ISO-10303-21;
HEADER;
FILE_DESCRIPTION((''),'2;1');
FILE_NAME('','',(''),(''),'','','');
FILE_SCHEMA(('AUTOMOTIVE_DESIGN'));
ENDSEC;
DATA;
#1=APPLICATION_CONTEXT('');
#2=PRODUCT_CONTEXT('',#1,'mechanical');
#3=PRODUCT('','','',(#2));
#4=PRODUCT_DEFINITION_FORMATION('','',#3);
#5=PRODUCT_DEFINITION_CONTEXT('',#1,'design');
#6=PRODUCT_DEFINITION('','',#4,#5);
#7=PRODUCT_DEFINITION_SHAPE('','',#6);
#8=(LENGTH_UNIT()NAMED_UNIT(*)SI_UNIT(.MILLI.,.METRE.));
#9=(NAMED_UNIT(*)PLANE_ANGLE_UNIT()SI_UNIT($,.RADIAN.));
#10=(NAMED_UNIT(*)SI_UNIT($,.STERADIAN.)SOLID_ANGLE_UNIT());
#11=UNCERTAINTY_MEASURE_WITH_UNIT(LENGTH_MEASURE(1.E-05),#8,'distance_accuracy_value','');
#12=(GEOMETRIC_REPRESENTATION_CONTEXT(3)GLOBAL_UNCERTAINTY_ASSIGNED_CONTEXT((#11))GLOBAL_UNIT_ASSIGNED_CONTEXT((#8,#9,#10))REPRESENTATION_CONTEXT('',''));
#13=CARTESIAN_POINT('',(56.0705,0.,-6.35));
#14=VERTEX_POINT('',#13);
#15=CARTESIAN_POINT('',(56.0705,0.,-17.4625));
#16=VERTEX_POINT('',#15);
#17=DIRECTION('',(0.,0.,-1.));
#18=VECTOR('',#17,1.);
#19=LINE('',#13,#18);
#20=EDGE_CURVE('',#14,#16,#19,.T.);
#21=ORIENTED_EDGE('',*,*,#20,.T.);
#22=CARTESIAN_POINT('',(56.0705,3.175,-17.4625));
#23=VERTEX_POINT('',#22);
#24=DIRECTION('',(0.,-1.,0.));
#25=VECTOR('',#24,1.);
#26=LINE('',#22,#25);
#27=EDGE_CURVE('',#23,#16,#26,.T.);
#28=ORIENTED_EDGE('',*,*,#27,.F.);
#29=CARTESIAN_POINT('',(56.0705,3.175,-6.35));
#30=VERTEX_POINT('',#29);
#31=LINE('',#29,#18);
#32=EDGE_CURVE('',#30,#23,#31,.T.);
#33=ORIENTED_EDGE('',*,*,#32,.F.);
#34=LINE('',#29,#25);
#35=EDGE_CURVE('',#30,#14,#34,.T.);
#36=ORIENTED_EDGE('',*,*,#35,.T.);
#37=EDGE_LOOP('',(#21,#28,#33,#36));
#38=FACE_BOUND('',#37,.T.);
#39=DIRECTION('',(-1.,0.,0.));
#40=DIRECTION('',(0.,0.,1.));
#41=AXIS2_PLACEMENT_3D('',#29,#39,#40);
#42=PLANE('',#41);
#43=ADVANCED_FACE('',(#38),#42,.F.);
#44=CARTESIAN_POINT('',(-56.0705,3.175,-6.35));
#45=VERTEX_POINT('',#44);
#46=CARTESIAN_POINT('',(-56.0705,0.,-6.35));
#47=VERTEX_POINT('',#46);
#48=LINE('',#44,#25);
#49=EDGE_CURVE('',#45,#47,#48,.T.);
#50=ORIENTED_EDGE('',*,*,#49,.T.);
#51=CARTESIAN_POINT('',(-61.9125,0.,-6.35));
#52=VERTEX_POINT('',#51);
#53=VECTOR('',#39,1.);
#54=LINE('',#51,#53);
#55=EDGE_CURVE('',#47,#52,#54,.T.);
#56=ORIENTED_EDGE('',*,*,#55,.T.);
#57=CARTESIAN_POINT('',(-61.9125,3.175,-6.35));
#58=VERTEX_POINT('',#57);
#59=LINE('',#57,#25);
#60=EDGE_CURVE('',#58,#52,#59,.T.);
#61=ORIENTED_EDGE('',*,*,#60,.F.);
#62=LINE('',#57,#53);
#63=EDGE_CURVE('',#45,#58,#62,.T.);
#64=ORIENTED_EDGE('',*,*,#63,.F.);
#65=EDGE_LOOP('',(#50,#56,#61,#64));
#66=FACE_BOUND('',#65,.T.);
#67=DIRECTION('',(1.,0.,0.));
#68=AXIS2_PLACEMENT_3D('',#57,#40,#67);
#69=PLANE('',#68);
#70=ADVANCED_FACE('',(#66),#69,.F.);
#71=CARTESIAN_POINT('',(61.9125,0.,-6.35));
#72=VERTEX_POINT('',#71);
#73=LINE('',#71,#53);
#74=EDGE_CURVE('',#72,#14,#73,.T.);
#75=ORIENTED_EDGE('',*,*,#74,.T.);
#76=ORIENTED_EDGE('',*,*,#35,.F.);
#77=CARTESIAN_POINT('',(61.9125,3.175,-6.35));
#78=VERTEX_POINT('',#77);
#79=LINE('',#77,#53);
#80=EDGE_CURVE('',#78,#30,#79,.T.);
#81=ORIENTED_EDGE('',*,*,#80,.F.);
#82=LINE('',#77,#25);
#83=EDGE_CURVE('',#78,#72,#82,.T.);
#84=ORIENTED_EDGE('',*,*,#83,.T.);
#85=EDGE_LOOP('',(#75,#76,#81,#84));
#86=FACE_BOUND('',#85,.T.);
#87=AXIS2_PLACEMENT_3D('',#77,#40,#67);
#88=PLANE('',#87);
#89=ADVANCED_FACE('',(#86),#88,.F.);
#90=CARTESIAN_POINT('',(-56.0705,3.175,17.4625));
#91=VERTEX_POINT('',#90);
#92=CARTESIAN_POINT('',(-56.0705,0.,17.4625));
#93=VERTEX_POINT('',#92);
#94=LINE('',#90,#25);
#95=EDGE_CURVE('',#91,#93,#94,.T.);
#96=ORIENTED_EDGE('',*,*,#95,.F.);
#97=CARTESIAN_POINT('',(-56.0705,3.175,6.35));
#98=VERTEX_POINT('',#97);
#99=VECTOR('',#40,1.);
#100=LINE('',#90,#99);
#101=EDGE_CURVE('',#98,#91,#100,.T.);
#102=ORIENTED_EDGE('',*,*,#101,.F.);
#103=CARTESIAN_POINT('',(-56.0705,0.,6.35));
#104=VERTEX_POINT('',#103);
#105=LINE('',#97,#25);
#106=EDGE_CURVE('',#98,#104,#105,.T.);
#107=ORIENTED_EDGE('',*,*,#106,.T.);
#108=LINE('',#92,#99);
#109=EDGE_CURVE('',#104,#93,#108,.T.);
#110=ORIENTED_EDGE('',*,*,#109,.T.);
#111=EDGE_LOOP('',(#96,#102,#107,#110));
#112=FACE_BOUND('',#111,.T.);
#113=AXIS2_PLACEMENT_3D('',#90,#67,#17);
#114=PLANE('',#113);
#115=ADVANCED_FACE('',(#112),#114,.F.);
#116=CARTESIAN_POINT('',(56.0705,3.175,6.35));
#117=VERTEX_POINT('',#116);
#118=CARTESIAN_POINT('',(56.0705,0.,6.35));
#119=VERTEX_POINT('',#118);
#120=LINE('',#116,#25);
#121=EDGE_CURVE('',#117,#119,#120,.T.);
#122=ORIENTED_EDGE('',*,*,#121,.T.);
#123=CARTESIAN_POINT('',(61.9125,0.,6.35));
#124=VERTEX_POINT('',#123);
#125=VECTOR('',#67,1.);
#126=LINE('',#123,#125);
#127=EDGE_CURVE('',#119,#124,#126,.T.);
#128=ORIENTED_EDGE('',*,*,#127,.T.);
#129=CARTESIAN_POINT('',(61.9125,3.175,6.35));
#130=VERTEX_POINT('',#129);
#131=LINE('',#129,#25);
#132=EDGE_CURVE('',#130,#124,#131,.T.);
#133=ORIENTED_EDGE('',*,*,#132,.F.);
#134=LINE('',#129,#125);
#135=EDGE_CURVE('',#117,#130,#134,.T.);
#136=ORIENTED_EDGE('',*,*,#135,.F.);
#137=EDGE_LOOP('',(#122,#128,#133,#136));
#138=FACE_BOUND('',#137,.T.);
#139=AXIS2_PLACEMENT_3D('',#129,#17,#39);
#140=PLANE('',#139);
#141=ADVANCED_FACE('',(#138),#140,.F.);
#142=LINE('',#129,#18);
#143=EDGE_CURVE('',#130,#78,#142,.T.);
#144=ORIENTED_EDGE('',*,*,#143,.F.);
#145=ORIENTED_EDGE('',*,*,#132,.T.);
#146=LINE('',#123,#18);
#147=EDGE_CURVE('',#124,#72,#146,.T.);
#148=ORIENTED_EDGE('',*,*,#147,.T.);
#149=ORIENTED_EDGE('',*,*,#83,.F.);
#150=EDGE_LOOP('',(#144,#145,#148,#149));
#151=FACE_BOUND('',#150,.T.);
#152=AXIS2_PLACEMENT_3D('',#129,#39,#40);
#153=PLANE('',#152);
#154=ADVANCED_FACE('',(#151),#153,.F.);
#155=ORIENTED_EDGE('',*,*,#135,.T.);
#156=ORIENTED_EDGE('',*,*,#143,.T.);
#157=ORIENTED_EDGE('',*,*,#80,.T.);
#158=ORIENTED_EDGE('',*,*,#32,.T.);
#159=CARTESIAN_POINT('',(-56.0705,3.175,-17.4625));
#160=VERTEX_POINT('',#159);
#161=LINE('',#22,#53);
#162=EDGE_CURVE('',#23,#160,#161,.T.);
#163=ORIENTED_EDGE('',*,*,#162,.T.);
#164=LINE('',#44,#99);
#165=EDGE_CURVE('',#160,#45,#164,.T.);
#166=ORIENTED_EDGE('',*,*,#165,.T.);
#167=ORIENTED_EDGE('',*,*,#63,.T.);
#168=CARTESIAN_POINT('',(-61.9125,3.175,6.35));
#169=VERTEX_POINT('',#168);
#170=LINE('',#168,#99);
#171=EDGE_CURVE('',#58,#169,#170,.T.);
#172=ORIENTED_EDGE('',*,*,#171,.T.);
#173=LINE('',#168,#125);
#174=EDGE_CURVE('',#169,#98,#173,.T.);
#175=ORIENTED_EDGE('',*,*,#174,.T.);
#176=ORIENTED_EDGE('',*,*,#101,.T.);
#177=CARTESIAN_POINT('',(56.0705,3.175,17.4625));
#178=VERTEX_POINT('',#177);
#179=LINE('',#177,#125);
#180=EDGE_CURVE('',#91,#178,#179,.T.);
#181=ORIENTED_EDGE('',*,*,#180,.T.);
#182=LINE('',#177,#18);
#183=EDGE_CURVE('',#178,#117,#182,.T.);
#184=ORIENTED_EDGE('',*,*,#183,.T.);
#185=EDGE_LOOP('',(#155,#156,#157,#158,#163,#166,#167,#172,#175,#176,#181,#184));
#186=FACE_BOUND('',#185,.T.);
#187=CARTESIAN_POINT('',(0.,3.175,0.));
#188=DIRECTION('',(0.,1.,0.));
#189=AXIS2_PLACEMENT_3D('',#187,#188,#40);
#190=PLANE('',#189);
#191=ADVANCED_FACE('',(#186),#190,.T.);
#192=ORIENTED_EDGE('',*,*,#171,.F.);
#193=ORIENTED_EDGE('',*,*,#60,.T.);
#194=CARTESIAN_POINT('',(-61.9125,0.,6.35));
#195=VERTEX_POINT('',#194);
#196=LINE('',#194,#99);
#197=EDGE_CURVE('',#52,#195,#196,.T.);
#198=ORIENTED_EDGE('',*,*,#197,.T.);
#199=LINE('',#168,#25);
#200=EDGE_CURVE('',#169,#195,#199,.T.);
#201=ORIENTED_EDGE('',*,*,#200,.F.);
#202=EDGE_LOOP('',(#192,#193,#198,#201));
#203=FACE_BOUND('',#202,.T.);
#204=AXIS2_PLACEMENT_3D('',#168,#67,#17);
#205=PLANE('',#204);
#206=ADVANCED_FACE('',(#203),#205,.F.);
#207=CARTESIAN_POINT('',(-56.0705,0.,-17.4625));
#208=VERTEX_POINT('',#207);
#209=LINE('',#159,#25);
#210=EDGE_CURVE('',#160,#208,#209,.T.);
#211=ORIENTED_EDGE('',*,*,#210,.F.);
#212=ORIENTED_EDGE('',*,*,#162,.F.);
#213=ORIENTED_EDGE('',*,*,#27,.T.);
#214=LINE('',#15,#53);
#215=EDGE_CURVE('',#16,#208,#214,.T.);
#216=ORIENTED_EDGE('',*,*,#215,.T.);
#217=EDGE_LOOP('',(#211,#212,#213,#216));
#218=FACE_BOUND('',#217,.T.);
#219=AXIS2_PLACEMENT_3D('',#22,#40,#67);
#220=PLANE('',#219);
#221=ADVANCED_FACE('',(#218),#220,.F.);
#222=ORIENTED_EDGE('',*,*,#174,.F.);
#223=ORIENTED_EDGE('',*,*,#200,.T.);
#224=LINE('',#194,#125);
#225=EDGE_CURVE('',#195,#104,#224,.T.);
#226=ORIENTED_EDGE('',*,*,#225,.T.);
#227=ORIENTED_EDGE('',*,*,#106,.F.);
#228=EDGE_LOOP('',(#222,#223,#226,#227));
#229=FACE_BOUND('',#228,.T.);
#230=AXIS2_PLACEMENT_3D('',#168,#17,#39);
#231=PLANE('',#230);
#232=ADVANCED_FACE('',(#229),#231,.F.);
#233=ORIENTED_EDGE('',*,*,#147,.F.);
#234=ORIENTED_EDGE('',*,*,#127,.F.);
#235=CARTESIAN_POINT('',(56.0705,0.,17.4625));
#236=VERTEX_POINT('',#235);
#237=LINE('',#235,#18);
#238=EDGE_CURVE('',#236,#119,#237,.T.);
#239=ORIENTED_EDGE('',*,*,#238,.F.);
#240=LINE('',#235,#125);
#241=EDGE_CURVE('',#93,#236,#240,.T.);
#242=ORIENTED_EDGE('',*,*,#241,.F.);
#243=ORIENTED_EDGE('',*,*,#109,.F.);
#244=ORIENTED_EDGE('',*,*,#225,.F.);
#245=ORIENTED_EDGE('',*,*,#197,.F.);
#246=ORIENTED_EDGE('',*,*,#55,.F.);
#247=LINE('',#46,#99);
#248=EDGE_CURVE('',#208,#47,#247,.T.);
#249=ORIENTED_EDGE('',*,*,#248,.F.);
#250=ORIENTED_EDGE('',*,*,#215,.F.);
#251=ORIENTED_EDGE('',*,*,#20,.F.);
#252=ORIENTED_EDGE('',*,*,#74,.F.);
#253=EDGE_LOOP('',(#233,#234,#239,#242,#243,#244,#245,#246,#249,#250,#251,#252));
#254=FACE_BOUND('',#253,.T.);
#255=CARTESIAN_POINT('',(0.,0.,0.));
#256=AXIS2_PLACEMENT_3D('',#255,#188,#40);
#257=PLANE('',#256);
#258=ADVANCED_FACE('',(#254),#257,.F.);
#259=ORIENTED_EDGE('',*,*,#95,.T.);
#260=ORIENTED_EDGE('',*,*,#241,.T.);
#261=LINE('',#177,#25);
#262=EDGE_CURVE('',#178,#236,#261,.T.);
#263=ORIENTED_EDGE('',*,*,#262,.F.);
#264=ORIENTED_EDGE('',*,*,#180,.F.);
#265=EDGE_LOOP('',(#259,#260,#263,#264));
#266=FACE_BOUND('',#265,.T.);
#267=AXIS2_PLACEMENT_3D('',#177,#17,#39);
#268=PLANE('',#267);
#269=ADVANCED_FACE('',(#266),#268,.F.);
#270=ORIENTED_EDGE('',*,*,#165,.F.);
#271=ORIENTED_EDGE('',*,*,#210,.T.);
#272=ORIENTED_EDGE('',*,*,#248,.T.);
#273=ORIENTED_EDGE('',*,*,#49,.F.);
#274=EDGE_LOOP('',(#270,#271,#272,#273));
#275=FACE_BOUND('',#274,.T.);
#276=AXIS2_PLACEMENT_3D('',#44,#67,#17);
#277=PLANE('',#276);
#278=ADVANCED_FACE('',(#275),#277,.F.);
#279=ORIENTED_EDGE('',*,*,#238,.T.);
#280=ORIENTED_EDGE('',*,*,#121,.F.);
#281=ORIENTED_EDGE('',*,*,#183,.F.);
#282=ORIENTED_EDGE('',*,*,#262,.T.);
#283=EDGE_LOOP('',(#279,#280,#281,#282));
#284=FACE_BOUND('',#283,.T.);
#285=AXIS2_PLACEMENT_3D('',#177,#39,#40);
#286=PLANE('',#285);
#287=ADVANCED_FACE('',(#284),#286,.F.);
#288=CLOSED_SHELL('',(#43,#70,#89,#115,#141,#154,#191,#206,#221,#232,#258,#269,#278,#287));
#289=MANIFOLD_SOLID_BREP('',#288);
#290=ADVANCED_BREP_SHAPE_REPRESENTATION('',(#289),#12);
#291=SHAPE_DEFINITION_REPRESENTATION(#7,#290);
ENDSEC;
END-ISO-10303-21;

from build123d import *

# Parameters (mm, degrees)
BOSS_EXTRUDE1_DEPTH = 3.175


with BuildPart() as part:
    # Sketch1 → Boss-Extrude1 (new body)
    with BuildSketch(Plane(origin=(0, 0, 0), x_dir=(1, 0, 0), z_dir=(0, 1, 0))):
        Polygon((56.0705, -17.4625), (-56.0705, -17.4625), (-56.0705, -6.35), (-61.9125, -6.35), (-61.9125, 6.35), (-56.0705, 6.35), (-56.0705, 17.4625), (56.0705, 17.4625), (56.0705, 6.35), (61.9125, 6.35), (61.9125, -6.35), (56.0705, -6.35), align=None)
    extrude(amount=BOSS_EXTRUDE1_DEPTH)


solid = part.part
